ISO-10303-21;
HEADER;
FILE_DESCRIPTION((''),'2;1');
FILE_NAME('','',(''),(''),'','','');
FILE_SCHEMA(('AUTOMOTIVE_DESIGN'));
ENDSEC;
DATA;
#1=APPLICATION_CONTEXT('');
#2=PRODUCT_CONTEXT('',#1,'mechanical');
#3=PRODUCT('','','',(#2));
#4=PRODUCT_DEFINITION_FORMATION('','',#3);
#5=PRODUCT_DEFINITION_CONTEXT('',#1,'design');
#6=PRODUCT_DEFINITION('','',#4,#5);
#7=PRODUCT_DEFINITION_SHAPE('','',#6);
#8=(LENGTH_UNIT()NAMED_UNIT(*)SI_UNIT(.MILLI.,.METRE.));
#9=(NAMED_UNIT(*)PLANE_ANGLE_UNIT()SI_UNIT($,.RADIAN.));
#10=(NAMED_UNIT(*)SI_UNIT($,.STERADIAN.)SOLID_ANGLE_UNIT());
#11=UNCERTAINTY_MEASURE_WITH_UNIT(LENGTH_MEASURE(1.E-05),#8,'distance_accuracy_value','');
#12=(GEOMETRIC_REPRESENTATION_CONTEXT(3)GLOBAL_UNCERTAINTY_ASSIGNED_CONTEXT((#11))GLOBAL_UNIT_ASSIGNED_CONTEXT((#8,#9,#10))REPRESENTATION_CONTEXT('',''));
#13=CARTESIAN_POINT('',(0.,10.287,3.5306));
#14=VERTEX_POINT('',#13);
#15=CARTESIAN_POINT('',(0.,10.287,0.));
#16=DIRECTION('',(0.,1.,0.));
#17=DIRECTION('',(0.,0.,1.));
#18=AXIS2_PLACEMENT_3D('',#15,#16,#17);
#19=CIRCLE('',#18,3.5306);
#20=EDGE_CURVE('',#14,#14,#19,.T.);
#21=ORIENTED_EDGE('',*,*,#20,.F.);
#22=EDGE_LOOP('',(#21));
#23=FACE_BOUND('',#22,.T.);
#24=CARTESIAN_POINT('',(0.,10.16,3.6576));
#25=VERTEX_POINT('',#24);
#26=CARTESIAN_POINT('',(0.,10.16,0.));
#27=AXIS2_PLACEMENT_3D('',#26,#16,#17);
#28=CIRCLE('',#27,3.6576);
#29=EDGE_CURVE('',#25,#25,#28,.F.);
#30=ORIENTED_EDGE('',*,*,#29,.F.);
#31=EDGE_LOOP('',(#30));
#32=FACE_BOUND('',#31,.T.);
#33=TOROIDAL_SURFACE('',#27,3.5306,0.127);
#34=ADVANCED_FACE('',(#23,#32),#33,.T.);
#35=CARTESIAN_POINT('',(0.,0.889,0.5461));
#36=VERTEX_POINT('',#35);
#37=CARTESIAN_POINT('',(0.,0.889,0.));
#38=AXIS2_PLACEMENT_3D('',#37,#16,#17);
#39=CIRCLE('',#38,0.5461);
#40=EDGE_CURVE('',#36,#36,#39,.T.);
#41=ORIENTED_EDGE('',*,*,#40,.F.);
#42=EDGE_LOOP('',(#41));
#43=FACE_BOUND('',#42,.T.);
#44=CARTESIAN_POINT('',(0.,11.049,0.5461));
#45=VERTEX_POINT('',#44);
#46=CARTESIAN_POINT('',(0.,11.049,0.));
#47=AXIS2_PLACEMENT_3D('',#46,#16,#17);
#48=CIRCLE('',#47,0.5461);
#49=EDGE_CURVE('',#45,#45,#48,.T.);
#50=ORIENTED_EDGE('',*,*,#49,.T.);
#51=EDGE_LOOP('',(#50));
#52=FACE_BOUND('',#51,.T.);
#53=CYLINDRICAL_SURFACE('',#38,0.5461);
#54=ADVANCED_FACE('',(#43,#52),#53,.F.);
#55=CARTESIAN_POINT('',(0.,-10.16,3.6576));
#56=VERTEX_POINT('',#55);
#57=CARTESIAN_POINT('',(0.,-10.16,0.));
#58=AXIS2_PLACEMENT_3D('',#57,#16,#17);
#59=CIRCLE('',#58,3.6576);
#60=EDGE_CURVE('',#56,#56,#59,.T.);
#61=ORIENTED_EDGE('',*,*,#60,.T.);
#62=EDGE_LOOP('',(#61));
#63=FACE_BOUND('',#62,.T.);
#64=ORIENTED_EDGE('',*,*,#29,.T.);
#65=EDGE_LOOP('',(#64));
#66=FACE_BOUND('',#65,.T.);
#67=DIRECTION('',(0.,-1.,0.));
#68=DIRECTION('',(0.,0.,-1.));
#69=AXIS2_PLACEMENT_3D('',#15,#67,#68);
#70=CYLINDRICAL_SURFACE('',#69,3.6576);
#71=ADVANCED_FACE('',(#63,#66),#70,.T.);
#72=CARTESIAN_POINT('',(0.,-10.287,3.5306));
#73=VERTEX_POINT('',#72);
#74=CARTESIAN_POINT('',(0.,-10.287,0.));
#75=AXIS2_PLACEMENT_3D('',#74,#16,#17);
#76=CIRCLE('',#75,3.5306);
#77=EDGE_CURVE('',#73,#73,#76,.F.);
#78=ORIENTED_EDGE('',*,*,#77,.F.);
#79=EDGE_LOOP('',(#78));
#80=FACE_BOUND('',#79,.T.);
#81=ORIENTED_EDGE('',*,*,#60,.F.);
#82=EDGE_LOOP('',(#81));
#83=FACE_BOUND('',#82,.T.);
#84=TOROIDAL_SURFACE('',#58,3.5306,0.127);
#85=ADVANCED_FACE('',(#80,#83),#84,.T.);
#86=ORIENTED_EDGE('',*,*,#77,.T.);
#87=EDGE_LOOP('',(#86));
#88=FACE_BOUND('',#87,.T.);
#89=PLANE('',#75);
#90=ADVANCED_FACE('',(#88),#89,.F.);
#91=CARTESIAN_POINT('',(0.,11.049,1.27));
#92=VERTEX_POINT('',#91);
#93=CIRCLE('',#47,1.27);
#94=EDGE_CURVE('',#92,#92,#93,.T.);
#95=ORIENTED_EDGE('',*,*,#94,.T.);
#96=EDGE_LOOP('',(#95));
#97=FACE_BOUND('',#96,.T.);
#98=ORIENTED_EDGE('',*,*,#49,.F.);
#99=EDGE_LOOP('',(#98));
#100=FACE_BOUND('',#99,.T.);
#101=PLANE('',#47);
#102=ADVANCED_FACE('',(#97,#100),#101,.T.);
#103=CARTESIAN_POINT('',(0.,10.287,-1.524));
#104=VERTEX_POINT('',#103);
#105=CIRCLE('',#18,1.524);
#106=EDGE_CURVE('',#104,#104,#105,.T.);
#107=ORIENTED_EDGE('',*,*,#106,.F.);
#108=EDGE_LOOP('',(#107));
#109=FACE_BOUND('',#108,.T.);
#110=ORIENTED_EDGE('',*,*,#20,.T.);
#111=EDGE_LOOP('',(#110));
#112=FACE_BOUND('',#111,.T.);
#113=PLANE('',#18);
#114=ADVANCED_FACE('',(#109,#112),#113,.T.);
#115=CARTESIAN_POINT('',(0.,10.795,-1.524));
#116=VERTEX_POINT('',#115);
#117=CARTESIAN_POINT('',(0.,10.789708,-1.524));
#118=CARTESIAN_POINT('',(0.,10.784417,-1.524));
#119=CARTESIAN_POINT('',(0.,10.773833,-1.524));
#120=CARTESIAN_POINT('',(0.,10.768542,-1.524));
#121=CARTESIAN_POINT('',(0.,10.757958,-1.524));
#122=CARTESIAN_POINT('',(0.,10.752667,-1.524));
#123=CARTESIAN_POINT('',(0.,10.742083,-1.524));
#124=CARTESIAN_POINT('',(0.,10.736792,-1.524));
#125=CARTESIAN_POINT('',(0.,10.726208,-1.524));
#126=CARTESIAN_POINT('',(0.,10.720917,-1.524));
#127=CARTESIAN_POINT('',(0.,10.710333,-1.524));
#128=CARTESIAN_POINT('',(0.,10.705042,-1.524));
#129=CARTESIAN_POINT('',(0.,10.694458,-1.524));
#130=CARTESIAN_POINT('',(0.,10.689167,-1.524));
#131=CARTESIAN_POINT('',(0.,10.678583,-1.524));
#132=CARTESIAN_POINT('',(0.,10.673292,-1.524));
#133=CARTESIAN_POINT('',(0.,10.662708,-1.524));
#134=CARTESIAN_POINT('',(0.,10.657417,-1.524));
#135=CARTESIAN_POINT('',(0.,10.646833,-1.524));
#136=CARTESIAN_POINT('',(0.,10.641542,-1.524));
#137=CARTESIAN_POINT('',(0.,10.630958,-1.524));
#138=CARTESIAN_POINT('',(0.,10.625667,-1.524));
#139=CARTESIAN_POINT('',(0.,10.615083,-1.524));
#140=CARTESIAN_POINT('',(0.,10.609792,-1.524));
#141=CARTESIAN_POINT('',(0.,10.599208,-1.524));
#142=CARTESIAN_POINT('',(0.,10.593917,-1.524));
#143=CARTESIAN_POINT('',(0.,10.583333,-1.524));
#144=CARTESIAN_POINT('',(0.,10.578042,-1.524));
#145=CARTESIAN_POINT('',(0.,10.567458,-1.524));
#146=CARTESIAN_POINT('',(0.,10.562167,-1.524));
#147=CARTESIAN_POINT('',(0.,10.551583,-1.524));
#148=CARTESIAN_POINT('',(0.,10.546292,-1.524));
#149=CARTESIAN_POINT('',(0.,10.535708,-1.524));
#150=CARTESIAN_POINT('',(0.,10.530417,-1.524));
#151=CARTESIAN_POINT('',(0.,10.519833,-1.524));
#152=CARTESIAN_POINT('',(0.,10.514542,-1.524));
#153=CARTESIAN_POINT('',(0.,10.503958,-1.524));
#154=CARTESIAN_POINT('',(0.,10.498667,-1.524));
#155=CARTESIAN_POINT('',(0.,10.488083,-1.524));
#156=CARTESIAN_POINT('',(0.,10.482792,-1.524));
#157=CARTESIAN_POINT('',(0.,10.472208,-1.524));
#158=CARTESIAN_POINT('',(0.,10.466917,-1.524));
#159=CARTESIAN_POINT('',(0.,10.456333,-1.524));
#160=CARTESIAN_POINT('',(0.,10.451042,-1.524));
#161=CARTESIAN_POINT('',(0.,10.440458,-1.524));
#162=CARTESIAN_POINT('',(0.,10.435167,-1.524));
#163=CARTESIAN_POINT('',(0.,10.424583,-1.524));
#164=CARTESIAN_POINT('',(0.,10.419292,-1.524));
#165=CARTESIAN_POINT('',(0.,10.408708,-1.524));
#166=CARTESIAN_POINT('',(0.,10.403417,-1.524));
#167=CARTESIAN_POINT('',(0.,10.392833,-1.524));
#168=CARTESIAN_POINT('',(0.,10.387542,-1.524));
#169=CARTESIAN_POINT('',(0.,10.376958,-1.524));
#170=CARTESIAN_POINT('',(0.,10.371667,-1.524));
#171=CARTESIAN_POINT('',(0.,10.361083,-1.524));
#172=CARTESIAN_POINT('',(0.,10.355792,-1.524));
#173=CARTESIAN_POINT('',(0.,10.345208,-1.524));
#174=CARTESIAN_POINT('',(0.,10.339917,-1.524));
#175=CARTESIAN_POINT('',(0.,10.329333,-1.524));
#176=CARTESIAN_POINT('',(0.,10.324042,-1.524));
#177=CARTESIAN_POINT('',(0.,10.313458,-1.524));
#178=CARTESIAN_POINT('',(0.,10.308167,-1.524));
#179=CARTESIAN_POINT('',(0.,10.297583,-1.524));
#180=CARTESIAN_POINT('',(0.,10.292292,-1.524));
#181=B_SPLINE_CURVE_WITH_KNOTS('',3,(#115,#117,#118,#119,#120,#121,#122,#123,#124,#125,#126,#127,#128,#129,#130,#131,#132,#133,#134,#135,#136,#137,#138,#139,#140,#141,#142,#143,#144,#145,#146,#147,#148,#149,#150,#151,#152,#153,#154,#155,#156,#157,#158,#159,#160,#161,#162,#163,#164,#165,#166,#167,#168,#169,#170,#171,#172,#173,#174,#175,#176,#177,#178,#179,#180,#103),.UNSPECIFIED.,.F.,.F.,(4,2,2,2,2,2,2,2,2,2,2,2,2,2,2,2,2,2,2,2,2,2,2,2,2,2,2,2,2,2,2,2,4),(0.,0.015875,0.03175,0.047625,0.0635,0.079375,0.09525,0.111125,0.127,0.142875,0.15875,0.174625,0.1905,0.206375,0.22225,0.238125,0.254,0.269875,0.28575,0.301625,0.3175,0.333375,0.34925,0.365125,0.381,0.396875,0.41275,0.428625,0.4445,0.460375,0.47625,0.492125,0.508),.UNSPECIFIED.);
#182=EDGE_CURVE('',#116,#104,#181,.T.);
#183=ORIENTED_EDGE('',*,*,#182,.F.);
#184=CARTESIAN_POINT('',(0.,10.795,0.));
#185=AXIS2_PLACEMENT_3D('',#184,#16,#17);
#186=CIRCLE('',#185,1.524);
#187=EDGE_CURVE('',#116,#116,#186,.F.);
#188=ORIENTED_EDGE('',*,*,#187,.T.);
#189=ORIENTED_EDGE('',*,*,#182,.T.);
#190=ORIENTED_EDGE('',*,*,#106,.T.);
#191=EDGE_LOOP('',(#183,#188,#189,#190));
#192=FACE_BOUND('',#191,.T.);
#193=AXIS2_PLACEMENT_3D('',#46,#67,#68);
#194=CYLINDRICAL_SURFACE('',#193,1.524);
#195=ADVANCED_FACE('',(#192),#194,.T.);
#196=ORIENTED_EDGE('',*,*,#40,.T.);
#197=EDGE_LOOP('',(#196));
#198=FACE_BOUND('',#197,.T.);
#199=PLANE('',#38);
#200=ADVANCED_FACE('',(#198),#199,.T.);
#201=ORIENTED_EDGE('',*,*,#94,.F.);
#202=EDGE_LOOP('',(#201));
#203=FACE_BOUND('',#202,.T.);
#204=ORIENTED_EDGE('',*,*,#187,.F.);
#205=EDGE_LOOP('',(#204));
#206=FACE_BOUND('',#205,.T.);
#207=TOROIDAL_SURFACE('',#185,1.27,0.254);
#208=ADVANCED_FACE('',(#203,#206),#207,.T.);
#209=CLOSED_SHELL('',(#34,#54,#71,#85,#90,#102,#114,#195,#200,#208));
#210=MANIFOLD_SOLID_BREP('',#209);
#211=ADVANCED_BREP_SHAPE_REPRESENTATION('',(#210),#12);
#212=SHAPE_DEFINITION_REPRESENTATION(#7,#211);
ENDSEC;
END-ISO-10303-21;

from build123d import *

# Parameters (mm, degrees)
SKETCH1_R           = 3.6576
BOSS_EXTRUDE1_DEPTH = 10.287
FILLET1_R           = 0.127
SKETCH2_R           = 1.524
BOSS_EXTRUDE2_DEPTH = 0.762
FILLET2_R           = 0.254
SKETCH3_R           = 0.5461
CUT_EXTRUDE1_DEPTH  = 10.16


with BuildPart() as part:
    # Sketch1 → Boss-Extrude1 (new, symmetric)
    with BuildSketch(Plane(origin=(0, 0, 0), x_dir=(1, 0, 0), z_dir=(0, 1, 0))):
        with Locations(Location((0, 0, 0), (0, 0, 270))):
            Circle(SKETCH1_R)
    extrude(amount=BOSS_EXTRUDE1_DEPTH, both=True)

    # Fillet1
    fillet1_edges = [part.edges().sort_by_distance(p)[0] for p in [
        (0, -10.287, -3.6576),
        (0, 10.287, -3.6576),
    ]]
    fillet(fillet1_edges, radius=FILLET1_R)

    # Sketch2 → Boss-Extrude2 (add)
    with BuildSketch(Plane(origin=(0, 10.287, 0), x_dir=(1, 0, 0), z_dir=(0, 1, 0))):
        with Locations(Location((0, 0, 0), (0, 0, 90))):
            Circle(SKETCH2_R)
    extrude(amount=BOSS_EXTRUDE2_DEPTH)

    # Fillet2
    fillet2_edges = [part.edges().sort_by_distance(p)[0] for p in [
        (0, 11.049, 1.524),
    ]]
    fillet(fillet2_edges, radius=FILLET2_R)

    # Sketch3 → Cut-Extrude1 (cut)
    with BuildSketch(Plane(origin=(0, 11.049, 0), x_dir=(1, 0, 0), z_dir=(0, 1, 0))):
        with Locations(Location((0, 0, 0), (0, 0, 270))):
            Circle(SKETCH3_R)
    extrude(amount=-CUT_EXTRUDE1_DEPTH, mode=Mode.SUBTRACT)


solid = part.part
